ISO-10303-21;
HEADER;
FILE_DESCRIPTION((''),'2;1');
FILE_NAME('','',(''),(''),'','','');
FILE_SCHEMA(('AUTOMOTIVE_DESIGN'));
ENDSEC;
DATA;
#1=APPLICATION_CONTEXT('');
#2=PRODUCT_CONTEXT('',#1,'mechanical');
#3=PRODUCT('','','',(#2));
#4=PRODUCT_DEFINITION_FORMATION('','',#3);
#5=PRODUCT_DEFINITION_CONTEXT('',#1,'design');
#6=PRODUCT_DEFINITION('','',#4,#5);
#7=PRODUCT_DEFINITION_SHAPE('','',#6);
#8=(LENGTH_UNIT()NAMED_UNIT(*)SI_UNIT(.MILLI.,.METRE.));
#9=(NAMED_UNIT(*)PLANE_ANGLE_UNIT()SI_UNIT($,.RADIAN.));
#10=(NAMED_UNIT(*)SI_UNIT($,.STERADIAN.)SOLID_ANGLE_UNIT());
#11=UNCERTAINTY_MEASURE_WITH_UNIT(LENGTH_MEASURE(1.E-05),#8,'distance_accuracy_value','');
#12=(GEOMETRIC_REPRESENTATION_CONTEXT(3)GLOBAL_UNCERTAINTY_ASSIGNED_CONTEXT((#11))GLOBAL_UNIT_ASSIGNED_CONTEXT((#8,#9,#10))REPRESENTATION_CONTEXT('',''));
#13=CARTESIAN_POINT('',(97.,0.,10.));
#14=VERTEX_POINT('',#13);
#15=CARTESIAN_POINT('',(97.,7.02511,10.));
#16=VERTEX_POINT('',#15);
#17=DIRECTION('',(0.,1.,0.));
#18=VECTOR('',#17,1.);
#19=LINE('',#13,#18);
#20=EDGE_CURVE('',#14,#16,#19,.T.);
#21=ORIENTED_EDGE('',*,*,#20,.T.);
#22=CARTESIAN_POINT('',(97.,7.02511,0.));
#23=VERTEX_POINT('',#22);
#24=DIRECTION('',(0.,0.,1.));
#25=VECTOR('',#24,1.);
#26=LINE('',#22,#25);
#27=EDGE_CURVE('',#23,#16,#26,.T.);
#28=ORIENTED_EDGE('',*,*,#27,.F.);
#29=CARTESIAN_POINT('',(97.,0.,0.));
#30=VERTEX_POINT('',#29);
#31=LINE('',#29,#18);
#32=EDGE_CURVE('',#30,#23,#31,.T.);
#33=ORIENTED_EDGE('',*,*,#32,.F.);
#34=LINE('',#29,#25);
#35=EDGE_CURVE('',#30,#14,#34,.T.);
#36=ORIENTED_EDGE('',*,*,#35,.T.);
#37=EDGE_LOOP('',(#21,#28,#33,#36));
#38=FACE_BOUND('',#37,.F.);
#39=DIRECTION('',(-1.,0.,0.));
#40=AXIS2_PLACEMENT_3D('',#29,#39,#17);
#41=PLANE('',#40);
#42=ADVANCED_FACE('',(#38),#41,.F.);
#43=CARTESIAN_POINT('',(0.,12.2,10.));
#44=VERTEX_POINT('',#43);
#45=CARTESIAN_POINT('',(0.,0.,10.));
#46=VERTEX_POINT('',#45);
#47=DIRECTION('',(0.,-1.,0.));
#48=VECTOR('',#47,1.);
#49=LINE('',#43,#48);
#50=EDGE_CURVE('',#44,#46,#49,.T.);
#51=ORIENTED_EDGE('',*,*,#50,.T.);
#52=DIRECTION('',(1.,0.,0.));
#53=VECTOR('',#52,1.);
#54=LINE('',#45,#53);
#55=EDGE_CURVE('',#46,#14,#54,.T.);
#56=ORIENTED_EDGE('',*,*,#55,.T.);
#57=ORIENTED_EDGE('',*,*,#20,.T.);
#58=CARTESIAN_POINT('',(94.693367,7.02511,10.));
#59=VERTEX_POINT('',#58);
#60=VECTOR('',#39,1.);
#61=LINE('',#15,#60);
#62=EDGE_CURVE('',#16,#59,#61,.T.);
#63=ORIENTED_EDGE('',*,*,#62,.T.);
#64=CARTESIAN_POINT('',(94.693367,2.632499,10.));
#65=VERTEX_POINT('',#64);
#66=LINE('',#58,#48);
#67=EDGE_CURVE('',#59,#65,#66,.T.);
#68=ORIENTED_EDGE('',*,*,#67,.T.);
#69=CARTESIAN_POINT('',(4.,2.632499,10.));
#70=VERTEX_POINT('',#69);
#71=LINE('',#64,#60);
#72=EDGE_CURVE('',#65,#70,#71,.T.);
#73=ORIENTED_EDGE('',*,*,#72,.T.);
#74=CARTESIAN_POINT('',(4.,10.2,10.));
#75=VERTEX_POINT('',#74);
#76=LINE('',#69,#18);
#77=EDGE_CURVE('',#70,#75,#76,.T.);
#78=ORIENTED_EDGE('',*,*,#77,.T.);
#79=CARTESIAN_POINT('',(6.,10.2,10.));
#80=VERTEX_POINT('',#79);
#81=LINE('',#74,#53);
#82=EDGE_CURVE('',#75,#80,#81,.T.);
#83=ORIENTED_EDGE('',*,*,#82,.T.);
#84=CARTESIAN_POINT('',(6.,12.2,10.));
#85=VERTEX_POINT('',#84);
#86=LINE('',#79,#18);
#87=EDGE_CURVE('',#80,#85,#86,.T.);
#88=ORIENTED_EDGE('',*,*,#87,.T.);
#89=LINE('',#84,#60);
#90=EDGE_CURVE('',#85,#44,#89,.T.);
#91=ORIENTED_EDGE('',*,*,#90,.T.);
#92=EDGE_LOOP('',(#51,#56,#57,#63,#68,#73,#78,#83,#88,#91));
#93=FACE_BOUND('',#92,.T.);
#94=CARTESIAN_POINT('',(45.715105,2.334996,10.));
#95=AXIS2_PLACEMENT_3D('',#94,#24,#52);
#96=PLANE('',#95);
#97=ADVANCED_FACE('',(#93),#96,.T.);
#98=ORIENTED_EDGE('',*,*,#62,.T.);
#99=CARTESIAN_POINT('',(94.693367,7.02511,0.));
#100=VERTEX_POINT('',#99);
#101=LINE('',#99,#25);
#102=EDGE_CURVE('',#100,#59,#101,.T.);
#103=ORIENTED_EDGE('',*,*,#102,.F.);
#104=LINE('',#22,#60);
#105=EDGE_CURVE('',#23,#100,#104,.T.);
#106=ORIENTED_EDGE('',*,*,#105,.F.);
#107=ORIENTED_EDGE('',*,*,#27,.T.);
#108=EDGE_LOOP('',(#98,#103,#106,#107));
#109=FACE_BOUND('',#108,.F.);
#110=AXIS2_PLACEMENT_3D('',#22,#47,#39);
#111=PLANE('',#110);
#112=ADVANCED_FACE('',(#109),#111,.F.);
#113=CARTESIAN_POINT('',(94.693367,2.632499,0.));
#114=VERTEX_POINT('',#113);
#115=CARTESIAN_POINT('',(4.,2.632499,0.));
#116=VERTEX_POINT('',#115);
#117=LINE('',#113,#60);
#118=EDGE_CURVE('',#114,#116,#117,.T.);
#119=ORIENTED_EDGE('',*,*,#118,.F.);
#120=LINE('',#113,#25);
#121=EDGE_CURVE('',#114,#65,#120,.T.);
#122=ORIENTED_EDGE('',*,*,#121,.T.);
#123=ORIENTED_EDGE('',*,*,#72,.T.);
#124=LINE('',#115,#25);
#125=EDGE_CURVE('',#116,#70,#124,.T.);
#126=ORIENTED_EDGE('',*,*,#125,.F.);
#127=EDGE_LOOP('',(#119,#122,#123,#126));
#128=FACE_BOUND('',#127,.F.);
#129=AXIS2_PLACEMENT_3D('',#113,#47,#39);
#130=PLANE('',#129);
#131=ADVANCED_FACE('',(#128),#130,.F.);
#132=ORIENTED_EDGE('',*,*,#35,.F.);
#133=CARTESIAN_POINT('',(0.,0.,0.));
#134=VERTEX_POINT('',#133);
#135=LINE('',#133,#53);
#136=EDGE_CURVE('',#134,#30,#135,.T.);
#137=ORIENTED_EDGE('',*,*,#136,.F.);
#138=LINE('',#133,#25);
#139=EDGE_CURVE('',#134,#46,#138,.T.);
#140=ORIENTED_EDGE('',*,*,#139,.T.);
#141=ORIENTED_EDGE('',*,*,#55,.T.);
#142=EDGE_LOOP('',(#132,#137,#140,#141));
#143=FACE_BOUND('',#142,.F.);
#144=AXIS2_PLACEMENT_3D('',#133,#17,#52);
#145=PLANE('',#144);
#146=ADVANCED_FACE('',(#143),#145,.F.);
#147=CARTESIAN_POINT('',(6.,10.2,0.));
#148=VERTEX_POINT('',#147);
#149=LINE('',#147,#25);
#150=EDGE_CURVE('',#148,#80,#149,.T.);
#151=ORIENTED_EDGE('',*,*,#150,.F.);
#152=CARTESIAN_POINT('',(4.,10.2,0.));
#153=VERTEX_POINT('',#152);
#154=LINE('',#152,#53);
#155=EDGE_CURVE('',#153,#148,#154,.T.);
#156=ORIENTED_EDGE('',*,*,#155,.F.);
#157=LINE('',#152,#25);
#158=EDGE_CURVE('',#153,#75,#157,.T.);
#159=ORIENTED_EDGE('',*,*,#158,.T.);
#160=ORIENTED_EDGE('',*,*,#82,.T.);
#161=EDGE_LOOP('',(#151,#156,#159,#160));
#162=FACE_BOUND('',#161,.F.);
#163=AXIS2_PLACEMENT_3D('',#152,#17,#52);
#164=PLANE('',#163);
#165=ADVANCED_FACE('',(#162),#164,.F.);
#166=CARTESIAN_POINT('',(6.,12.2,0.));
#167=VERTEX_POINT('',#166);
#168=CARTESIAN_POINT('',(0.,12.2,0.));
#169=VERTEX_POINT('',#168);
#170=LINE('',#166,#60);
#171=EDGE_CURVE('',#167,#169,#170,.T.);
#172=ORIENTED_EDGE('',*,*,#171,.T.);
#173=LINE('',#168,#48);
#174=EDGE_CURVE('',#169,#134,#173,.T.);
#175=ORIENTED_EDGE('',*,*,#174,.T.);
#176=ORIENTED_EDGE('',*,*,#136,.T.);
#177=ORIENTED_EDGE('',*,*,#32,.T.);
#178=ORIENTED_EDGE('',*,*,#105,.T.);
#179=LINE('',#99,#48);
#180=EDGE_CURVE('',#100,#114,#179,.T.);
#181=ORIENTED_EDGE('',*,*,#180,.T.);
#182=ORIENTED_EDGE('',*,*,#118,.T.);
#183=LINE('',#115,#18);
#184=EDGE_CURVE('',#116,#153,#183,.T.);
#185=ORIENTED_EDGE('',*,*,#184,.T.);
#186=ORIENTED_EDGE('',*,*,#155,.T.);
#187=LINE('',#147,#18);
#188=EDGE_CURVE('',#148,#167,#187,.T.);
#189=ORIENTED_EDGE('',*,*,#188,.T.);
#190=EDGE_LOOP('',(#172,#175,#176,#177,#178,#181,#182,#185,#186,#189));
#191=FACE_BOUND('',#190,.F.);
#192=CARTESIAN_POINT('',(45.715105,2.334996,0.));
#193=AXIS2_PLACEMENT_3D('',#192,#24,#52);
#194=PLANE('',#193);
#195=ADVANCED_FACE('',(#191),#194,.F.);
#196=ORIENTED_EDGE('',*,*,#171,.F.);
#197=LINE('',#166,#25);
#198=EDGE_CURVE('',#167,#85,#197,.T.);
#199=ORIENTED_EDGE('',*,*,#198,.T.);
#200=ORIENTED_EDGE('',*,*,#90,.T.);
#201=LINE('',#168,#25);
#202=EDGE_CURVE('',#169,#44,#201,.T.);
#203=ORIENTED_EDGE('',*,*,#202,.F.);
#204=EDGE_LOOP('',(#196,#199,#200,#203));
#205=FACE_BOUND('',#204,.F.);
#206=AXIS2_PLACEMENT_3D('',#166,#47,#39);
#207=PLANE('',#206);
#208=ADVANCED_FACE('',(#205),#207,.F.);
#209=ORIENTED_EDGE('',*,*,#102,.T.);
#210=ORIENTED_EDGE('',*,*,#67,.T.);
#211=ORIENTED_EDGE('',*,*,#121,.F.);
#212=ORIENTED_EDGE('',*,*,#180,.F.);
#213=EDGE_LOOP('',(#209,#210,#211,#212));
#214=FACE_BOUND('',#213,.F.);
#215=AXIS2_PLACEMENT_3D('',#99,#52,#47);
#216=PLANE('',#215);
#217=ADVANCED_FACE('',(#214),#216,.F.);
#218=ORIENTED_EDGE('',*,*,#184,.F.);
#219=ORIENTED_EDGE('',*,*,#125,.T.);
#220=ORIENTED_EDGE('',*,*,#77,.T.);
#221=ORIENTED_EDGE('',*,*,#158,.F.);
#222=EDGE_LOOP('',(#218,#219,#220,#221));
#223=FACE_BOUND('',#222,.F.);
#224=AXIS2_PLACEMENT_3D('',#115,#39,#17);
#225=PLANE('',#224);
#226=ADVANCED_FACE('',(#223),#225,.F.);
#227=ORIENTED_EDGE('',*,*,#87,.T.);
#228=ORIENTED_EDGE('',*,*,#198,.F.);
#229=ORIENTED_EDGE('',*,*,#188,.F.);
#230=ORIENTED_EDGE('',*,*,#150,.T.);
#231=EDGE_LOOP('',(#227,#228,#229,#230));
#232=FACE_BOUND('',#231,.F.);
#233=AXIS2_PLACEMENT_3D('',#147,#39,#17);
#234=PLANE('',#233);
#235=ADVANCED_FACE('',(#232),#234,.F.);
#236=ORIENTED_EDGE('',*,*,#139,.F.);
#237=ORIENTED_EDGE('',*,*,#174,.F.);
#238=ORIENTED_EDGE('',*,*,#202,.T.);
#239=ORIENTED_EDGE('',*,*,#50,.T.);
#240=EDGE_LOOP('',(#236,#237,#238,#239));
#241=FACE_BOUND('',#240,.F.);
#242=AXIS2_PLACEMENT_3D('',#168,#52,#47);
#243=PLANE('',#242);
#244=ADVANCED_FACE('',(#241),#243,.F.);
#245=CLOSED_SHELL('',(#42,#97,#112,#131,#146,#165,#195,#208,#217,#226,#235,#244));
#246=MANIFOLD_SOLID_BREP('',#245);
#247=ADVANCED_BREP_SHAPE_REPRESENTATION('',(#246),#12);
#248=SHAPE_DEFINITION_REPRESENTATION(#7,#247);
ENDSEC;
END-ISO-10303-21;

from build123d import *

# Parameters (mm, degrees)
PAD_DEPTH = 10


with BuildPart() as part:
    # Sketch → Pad (new body)
    with BuildSketch(Plane.XY):
        Polygon((0, 0), (97, 0), (97, 7.02511), (94.693367, 7.02511), (94.693367, 2.632499), (4, 2.632499), (4, 10.2), (6, 10.2), (6, 12.2), (0, 12.2), align=None)
    extrude(amount=PAD_DEPTH)


solid = part.part
